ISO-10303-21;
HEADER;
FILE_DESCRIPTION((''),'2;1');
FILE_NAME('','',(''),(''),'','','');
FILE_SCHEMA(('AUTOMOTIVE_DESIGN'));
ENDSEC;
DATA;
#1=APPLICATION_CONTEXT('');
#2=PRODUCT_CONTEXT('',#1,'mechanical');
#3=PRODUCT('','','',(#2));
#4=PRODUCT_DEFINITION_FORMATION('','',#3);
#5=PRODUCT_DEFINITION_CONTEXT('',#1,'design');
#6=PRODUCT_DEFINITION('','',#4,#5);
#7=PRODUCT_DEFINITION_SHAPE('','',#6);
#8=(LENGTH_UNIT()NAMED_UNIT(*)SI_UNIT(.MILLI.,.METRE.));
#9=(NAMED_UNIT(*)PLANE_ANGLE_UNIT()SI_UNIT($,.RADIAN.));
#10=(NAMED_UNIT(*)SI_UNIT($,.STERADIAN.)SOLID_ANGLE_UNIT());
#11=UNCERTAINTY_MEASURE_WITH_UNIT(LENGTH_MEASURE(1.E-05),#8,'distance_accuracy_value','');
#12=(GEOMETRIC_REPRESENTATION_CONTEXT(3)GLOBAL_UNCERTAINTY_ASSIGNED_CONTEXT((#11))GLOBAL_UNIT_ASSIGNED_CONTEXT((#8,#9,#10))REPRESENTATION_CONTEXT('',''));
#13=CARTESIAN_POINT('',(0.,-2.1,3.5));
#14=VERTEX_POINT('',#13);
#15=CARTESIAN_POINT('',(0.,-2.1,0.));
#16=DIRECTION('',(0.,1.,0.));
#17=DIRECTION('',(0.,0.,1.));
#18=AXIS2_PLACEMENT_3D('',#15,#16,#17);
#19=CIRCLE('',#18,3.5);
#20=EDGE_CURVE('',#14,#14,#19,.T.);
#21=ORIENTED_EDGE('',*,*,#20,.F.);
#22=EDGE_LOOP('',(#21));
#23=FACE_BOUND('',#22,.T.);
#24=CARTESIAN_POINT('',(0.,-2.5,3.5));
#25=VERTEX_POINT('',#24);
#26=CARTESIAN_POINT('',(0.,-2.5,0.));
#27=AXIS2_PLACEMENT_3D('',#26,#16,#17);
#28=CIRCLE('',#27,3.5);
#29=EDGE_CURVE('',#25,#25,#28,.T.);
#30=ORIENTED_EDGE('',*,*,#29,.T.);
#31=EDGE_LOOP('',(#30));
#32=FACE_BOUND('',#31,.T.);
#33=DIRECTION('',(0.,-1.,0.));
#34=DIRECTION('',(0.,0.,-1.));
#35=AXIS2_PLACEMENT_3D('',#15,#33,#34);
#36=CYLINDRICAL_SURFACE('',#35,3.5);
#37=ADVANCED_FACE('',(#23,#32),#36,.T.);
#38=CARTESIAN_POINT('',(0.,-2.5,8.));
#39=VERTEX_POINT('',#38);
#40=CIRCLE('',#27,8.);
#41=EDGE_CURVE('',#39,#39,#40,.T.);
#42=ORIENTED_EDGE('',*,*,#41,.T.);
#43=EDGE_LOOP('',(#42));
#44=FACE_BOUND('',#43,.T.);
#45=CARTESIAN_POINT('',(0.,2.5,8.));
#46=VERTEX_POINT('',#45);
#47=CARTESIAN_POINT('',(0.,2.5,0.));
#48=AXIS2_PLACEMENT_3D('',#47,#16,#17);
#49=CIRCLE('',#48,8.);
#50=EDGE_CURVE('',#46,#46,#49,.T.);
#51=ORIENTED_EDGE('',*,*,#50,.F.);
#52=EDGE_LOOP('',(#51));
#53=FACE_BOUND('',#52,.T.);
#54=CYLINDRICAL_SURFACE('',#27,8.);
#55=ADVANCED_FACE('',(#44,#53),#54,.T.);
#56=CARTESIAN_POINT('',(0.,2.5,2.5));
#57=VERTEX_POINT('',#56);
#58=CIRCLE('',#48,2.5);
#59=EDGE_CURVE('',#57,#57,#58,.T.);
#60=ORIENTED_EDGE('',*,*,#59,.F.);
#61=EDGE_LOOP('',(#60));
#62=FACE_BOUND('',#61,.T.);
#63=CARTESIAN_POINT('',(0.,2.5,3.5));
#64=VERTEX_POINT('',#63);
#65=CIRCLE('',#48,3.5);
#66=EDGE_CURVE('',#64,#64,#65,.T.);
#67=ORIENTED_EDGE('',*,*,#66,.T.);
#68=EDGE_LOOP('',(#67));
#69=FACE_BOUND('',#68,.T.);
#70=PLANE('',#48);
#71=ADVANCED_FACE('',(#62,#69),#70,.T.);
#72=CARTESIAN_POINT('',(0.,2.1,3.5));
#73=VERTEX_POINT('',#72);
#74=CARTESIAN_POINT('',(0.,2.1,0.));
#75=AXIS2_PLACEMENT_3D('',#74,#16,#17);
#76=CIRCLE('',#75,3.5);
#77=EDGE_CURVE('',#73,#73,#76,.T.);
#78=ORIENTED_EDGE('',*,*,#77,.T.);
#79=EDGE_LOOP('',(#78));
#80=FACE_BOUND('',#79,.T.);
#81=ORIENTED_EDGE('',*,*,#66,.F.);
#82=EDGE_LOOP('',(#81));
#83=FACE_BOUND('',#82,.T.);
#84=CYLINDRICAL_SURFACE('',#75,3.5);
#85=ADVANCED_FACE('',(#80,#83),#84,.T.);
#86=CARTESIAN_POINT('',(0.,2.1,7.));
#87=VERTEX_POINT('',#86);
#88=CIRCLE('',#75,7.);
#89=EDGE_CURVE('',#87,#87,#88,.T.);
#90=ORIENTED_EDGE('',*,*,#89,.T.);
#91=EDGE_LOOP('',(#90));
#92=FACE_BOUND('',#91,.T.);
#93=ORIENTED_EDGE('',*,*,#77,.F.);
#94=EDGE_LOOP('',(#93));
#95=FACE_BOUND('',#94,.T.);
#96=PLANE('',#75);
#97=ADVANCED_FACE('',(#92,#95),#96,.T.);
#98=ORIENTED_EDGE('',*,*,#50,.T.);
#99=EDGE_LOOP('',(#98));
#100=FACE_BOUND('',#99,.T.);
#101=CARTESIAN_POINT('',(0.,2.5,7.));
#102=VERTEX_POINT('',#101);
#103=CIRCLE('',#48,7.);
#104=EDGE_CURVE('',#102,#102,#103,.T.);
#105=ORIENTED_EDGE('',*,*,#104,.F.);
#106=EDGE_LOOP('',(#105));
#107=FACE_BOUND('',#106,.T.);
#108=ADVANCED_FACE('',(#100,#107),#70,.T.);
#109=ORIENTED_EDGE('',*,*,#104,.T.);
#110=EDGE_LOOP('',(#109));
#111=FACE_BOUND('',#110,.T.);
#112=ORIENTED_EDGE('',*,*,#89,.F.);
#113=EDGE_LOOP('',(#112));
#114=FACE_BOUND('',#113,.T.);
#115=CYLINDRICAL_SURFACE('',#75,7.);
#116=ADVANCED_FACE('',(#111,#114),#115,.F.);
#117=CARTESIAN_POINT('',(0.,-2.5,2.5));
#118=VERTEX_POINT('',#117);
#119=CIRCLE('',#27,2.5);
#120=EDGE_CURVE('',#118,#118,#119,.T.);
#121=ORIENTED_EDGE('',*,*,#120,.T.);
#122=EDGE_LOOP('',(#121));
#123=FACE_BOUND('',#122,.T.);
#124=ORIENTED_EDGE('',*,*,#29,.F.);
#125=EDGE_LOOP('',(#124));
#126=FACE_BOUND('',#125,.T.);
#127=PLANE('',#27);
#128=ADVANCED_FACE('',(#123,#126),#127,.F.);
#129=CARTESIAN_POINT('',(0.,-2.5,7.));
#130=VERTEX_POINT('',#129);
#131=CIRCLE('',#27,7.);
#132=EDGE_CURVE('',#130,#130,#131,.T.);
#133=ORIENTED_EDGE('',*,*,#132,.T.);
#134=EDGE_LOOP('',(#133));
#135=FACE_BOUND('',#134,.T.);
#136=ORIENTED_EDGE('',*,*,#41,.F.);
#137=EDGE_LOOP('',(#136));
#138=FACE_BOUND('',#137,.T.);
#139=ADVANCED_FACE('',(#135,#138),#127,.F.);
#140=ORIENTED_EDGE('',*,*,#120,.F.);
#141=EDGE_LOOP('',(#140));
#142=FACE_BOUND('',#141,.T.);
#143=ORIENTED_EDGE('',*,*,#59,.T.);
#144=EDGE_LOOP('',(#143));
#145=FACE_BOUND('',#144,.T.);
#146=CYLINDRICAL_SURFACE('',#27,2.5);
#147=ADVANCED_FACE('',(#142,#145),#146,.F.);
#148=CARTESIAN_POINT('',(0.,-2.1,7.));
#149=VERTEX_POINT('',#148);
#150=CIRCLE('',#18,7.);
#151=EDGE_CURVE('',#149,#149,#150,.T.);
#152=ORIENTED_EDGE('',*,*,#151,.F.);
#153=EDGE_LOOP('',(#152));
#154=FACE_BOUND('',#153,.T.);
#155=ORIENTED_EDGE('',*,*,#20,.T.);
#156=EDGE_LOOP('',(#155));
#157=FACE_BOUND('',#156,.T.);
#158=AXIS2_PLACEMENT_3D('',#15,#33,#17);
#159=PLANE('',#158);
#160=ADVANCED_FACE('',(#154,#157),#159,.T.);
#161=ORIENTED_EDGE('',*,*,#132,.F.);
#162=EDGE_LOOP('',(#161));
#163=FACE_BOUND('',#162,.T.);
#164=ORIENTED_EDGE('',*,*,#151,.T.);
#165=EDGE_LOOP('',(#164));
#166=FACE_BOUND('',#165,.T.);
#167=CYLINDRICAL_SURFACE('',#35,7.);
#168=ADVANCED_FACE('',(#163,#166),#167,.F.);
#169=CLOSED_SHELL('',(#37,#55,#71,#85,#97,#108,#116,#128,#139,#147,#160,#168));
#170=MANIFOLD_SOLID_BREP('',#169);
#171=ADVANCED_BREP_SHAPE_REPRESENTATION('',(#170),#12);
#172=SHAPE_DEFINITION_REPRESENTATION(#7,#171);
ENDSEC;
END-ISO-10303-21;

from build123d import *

# Parameters (mm, degrees)
BOSS_EXTRUDE1_DEPTH      = 2.5
BOSS_EXTRUDE1_DEPTH_BACK = 2.5
SKETCH1_R                = 8
SKETCH2_R                = 2.5
CUT_EXTRUDE1_DEPTH       = 13.369316877
SKETCH3_R                = 7
SKETCH3_R_2              = 3.5
CUT_EXTRUDE2_DEPTH       = 0.4


with BuildPart() as part:
    # Sketch1 → Boss-Extrude1 (new, two sides: drawn at the far end of the back side and taken through both)
    with BuildSketch(Plane(origin=(0, 0, 0), x_dir=(1, 0, 0), z_dir=(0, 1, 0)).offset(-BOSS_EXTRUDE1_DEPTH_BACK)):
        Circle(SKETCH1_R)
    extrude(amount=BOSS_EXTRUDE1_DEPTH + BOSS_EXTRUDE1_DEPTH_BACK)

    # Sketch2 → Cut-Extrude1 (cut, through all)
    with BuildSketch(Plane(origin=(0, 2.5, 0), x_dir=(1, 0, 0), z_dir=(0, 1, 0))):
        Circle(SKETCH2_R)
    extrude(amount=-CUT_EXTRUDE1_DEPTH, mode=Mode.SUBTRACT)

    # Sketch3 → Cut-Extrude2 (cut)
    with BuildSketch(Plane(origin=(0, 2.5, 0), x_dir=(1, 0, 0), z_dir=(0, 1, 0))):
        Circle(SKETCH3_R)
        Circle(SKETCH3_R_2, mode=Mode.SUBTRACT)
    cut_extrude2 = extrude(amount=-CUT_EXTRUDE2_DEPTH, mode=Mode.SUBTRACT)

    # Mirror1: Cut-Extrude2 across plane
    add(cut_extrude2.mirror(Plane.ZX), mode=Mode.SUBTRACT)


solid = part.part
